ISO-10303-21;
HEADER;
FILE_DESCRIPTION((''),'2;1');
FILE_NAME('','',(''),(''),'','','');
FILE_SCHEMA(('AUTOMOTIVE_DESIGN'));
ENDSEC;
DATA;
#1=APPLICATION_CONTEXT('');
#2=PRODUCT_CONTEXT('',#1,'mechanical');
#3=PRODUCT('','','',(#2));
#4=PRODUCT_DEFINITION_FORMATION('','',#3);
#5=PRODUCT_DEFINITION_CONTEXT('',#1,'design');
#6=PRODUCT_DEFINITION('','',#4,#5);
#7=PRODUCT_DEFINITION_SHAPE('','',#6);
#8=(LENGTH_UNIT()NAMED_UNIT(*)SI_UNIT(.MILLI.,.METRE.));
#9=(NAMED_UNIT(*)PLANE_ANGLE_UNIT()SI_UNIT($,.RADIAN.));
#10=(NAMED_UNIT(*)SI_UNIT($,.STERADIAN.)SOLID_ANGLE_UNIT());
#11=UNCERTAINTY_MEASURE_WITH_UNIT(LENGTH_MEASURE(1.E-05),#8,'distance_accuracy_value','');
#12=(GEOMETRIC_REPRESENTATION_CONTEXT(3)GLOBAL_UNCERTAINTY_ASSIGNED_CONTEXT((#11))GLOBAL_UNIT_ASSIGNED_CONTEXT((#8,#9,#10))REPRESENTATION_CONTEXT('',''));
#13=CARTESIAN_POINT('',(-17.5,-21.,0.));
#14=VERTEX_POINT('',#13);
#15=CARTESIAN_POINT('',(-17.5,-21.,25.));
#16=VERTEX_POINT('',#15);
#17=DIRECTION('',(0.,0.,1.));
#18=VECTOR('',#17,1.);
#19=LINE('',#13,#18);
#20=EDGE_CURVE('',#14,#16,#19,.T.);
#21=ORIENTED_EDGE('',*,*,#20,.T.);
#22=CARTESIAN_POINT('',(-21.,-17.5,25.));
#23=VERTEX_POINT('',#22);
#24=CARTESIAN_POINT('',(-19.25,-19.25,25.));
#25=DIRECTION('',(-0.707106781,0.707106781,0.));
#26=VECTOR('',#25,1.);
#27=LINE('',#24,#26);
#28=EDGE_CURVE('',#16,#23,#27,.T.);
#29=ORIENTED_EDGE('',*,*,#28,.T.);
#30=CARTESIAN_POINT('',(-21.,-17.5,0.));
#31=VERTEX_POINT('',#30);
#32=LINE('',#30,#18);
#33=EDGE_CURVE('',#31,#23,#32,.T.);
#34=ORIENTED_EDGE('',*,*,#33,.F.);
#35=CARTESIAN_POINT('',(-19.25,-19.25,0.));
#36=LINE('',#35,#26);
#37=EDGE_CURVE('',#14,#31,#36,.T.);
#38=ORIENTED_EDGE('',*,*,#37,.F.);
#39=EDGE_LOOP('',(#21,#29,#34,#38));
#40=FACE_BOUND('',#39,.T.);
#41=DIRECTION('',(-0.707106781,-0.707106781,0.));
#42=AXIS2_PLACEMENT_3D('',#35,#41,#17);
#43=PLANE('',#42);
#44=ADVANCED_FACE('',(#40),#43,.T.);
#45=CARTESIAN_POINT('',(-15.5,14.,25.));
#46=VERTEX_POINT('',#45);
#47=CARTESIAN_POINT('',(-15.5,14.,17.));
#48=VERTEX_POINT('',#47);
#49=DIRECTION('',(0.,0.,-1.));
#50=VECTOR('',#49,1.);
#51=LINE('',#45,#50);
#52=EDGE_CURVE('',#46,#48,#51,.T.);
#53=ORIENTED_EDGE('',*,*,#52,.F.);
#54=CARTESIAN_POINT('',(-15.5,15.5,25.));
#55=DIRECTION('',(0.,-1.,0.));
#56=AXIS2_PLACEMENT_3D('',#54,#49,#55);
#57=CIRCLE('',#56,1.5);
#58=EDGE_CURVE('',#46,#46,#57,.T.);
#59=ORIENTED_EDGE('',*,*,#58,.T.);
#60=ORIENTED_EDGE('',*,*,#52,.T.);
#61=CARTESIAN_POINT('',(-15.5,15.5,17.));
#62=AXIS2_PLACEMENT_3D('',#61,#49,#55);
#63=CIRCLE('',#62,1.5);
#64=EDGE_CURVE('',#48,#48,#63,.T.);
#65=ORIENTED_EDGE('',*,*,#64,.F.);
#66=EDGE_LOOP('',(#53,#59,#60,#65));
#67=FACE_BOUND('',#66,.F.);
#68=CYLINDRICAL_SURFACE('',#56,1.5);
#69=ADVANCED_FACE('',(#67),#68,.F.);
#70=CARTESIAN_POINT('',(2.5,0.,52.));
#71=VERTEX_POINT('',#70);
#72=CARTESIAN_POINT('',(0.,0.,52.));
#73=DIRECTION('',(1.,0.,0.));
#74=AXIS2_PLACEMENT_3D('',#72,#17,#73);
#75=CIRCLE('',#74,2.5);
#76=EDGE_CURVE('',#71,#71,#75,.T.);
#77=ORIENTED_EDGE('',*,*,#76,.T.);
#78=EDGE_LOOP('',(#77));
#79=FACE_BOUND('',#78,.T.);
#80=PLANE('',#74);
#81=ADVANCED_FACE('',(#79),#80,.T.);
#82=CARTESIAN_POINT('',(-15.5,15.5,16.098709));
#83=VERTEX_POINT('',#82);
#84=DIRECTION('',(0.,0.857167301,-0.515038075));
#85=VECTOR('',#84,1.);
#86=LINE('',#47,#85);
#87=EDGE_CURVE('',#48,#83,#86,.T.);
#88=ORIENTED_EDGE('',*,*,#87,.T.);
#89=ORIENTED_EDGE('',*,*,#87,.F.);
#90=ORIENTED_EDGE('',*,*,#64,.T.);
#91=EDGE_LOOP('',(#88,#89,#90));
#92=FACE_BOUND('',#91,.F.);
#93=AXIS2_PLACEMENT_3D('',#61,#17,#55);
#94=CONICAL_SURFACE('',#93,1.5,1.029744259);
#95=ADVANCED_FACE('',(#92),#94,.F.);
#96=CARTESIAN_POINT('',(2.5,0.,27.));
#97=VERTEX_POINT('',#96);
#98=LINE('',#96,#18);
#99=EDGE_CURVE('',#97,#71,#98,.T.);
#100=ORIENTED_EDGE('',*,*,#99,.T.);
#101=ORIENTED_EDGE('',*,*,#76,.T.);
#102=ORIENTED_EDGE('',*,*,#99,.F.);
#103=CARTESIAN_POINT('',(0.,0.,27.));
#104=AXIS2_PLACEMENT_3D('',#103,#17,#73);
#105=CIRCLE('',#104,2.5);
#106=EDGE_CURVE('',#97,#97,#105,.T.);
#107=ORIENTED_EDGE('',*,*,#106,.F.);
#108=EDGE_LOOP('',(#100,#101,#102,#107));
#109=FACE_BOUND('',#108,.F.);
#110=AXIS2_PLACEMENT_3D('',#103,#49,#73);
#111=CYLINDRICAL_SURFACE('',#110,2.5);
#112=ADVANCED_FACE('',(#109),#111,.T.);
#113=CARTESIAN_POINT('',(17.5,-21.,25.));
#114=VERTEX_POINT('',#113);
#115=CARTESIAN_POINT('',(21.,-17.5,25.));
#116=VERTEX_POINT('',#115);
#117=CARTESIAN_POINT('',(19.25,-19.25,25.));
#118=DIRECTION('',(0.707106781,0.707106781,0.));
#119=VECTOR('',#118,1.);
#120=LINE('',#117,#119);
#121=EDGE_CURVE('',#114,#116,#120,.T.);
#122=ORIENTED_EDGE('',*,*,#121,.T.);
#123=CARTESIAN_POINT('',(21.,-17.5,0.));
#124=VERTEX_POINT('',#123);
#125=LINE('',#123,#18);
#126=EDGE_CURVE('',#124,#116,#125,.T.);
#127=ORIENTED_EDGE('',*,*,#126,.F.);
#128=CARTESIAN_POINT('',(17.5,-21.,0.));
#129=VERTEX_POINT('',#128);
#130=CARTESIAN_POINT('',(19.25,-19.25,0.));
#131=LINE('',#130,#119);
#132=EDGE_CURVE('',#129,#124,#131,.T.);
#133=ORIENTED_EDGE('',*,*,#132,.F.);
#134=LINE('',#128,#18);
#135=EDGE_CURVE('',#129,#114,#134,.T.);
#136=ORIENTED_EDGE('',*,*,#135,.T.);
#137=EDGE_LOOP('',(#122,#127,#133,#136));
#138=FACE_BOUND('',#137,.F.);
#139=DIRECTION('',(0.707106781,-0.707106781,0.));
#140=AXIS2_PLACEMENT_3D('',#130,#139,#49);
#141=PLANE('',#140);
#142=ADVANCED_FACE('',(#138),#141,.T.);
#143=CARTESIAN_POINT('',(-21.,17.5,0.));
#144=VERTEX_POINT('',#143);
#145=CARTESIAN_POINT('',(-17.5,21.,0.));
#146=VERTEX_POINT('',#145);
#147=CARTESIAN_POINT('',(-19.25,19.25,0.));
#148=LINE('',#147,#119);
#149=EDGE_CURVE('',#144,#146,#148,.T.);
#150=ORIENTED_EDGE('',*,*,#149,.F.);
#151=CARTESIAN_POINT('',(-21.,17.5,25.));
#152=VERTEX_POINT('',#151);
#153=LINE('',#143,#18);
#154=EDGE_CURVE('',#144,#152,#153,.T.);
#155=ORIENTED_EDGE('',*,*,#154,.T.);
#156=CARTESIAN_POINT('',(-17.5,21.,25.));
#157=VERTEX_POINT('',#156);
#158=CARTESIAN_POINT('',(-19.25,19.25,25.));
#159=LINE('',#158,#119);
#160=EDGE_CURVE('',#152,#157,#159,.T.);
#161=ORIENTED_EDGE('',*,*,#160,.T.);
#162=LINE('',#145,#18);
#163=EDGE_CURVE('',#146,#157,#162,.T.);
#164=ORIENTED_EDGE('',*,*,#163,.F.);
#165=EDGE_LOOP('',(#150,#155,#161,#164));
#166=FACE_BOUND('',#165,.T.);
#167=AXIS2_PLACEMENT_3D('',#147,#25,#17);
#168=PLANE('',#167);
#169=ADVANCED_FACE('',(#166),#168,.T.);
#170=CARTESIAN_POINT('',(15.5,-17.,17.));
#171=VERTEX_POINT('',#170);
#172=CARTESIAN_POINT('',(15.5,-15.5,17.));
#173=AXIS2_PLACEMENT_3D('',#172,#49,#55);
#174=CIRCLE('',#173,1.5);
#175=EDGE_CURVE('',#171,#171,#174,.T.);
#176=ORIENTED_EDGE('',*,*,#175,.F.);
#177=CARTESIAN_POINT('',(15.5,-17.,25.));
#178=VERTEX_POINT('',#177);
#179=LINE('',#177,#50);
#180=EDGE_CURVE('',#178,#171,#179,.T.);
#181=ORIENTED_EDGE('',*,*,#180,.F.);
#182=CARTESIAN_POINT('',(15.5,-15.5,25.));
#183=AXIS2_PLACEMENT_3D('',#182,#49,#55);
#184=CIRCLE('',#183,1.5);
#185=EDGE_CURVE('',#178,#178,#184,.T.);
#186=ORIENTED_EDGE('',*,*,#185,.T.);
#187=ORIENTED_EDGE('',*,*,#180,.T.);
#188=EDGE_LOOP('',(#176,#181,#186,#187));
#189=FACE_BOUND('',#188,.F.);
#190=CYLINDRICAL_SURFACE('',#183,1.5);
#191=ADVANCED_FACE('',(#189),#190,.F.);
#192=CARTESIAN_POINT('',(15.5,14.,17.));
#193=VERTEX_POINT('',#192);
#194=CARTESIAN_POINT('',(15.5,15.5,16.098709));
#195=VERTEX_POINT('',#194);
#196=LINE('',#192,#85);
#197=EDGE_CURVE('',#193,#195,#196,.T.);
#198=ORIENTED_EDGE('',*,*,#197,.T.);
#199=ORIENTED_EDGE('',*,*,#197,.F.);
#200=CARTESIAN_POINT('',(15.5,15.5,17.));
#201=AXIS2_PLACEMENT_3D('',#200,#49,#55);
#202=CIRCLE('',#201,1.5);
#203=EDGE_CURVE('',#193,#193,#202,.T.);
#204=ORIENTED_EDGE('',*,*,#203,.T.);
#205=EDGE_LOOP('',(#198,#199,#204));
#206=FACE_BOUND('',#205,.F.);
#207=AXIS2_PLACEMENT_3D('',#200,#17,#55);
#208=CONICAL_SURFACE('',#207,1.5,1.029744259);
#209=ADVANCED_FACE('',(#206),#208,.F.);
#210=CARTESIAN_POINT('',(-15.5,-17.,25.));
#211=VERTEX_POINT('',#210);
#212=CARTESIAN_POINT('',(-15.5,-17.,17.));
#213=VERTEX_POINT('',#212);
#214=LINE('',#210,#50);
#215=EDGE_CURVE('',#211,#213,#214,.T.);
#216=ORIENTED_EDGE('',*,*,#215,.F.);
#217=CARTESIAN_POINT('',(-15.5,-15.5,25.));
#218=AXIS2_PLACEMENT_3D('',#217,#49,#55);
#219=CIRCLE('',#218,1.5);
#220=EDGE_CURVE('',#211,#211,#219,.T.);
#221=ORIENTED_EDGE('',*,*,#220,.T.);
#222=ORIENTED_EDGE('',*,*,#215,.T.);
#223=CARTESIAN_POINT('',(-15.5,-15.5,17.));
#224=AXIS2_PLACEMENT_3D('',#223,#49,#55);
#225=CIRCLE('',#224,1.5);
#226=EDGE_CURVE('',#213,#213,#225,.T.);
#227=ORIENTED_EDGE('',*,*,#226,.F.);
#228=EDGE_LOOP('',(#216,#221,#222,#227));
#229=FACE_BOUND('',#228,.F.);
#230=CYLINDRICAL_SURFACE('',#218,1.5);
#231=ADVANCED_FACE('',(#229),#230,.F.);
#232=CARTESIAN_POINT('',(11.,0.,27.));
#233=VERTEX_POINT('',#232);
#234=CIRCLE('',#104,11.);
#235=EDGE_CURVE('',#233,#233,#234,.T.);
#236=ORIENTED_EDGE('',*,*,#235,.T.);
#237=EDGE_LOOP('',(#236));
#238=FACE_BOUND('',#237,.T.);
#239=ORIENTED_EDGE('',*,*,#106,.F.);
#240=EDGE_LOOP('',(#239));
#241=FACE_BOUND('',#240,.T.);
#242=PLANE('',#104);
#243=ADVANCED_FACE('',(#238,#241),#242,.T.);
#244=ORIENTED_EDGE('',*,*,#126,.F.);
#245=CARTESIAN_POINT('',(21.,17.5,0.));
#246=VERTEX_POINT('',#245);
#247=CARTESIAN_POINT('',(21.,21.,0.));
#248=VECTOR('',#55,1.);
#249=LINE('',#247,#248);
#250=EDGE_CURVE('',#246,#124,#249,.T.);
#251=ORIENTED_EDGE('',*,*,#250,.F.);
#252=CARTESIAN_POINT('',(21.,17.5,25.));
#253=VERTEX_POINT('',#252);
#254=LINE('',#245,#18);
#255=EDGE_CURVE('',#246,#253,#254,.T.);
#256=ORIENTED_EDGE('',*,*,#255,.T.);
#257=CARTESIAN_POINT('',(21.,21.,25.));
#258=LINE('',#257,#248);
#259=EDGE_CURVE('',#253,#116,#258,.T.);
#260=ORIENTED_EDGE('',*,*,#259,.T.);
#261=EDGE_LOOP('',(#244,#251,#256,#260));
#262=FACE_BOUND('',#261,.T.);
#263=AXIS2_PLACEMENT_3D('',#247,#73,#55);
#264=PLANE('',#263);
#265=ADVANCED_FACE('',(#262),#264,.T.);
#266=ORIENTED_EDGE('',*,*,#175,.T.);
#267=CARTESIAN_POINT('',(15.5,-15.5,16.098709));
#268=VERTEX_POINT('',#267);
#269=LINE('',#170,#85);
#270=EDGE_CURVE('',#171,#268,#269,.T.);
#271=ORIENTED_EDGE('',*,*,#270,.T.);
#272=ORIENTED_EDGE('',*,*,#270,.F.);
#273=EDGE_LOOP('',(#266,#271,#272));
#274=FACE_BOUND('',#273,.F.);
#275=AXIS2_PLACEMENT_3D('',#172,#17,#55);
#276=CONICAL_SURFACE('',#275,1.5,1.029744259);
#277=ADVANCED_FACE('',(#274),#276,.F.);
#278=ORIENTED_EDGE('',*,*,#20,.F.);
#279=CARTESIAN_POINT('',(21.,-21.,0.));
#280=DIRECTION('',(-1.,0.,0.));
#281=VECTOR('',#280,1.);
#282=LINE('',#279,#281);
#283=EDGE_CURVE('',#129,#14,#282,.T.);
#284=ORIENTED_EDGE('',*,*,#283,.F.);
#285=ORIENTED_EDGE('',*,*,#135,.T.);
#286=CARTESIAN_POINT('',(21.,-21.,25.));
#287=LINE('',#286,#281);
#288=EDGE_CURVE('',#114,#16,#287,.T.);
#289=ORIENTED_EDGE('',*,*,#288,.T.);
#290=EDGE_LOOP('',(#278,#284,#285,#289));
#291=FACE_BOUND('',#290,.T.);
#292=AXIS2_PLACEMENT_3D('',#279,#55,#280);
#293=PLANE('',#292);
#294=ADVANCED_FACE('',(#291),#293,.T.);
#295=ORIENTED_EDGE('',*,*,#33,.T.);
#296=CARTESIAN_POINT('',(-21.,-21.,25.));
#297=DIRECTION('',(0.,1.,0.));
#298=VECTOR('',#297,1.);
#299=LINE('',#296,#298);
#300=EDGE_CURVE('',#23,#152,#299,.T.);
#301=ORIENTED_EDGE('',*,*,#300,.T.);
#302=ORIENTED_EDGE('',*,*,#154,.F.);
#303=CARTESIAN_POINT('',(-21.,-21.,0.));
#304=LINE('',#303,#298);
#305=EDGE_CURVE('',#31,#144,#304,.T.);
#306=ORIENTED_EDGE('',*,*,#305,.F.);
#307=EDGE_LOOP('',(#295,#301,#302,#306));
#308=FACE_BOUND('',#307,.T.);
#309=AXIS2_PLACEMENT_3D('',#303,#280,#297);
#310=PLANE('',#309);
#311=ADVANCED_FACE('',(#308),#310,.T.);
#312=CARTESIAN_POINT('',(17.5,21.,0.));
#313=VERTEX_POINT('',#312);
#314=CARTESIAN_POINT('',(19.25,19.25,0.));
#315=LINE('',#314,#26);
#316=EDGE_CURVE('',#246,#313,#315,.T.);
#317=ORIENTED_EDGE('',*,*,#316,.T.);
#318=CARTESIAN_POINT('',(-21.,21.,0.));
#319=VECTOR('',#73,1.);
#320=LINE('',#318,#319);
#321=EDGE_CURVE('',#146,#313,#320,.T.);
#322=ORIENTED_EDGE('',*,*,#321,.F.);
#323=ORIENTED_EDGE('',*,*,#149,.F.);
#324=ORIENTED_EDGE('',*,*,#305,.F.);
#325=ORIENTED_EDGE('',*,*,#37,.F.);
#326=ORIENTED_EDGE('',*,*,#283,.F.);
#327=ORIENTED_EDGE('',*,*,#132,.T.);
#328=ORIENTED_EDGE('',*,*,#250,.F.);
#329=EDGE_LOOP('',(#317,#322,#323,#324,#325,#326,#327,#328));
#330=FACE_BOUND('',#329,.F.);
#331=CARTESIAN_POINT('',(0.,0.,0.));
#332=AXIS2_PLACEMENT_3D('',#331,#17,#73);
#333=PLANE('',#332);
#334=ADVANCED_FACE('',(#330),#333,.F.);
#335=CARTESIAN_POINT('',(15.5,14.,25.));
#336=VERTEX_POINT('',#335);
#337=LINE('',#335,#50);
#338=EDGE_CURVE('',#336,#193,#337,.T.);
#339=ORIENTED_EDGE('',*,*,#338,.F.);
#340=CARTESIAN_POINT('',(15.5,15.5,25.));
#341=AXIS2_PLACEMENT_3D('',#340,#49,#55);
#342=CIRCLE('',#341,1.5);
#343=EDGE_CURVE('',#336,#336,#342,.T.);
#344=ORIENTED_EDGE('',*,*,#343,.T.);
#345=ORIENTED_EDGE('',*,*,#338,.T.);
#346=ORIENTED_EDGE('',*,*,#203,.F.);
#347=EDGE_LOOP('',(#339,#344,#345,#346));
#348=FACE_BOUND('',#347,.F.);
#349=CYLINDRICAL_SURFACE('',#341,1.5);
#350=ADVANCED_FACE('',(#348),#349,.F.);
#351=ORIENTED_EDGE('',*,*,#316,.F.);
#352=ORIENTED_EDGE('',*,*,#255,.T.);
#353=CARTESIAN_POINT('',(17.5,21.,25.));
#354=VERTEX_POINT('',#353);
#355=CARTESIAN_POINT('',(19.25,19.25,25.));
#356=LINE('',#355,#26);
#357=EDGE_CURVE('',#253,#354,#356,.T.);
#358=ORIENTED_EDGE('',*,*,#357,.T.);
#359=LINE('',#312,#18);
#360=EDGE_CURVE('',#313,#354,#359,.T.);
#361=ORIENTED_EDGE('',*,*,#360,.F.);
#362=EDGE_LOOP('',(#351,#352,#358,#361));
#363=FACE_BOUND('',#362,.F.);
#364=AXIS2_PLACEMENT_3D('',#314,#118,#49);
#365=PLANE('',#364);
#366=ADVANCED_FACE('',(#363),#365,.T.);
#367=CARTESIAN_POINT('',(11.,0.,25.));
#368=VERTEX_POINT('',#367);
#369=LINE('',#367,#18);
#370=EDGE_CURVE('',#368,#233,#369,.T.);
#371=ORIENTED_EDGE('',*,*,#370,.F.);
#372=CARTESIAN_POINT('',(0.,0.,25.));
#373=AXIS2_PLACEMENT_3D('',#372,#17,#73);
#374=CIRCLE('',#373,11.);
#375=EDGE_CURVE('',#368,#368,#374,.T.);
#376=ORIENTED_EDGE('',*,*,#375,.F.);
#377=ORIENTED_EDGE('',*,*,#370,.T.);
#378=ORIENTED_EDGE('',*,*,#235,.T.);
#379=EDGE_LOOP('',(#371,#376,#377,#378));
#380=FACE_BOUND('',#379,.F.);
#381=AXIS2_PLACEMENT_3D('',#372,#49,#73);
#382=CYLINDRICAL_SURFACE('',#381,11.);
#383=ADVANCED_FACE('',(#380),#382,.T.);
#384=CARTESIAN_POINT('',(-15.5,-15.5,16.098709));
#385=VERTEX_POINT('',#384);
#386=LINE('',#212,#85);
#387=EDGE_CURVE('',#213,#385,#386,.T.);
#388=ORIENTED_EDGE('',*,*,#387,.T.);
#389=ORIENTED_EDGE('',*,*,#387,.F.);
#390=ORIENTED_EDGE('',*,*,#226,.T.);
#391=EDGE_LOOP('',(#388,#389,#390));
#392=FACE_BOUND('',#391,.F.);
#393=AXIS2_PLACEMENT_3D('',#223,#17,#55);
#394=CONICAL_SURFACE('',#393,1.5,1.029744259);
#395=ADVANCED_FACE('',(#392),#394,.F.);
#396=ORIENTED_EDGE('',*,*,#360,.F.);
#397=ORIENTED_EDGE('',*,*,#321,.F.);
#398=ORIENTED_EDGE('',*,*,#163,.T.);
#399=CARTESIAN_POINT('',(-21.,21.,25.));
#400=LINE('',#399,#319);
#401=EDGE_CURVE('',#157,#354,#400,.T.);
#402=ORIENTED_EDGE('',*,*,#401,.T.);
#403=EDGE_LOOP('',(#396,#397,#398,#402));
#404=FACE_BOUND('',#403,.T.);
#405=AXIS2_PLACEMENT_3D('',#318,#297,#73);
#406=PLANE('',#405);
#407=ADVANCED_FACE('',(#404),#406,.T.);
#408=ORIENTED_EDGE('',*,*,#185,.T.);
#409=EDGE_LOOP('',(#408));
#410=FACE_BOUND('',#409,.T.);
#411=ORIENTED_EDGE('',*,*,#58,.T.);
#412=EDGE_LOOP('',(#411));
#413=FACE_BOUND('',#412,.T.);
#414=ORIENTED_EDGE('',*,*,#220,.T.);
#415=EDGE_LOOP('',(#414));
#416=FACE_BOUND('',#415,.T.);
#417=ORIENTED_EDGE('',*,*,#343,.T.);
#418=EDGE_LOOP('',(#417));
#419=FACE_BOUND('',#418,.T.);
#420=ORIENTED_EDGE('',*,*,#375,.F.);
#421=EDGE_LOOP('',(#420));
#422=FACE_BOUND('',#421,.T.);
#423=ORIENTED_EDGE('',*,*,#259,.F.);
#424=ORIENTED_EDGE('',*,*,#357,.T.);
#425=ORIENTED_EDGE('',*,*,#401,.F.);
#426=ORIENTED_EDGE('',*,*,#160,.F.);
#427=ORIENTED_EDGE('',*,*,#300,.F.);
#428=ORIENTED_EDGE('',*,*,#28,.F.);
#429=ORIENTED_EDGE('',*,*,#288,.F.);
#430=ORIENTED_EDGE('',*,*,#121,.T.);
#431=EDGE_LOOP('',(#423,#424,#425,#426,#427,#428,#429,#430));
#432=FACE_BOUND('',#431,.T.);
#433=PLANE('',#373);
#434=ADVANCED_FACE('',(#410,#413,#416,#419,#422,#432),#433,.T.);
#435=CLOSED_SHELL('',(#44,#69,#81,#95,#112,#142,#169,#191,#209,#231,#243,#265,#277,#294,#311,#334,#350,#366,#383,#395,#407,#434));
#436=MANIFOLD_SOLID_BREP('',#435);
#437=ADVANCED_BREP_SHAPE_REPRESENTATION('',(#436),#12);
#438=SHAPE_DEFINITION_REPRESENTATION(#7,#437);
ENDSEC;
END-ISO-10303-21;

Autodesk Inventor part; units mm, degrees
ref_plane "YZ Plane" through (0, 0, 0) normal (1, 0, 0) x (0, 1, 0)
ref_plane "XZ Plane" through (0, 0, 0) normal (0, 1, 0) x (-1, 0, 0)
ref_plane "XY Plane" through (0, 0, 0) normal (0, 0, 1) x (1, 0, 0)
sketch "Sketch1" plane through (0, 0, 0) normal (0, 0, 1) x (1, 0, 0)
  line L0 (21, -21) -> (-21, -21)
  line L1 (-21, -21) -> (-21, 21)
  line L2 (-21, 21) -> (21, 21)
  line L3 (21, 21) -> (21, -21)
  line L4 (21, -21) -> (-21, 21) construction
  line L5 (-21, -21) -> (21, 21) construction
  point P0 (0, 0)
  dimension "d0" = 42
extrude "Extrusion1" add sketch "Sketch1" along normal blind 25
sketch "Sketch2" plane through (0, 0, 25) normal (0, 0, 1) x (1, 0, 0)
  point P0 (0, 0)
  point P1 (-15.5, 15.5)
  point P2 (-15.5, -15.5)
  point P3 (15.5, -15.5)
  point P4 (15.5, 15.5)
  dimension "d3" = 31
  dimension "d4" = 31
  dimension "d5" = 15.5
  dimension "d6" = 15.5
hole "Hole1" at (-15.5, 15.5, 25) at (-15.5, -15.5, 25) at (15.5, -15.5, 25) at (15.5, 15.5, 25) direction (0, 0, -1) diameter 3 depth 8 tip angle 118
chamfer "Chamfer1" distance 3.5 angle 45 4 edges at (21, 21, 12.5) (21, -21, 12.5) (-21, 21, 12.5) (-21, -21, 12.5)
sketch "Sketch3" plane through (0, 0, 25) normal (0, 0, 1) x (1, 0, 0)
  circle A0 centre (0, 0) radius 11
  dimension "d17" = 22
extrude "Extrusion2" add sketch "Sketch3" along normal blind 2
sketch "Sketch4" plane through (0, 0, 27) normal (0, 0, 1) x (1, 0, 0)
  circle A0 centre (0, 0) radius 11 projected
  circle A1 centre (0, 0) radius 2.5
  dimension "d20" = 5
extrude "Extrusion3" add sketch "Sketch4" along normal blind 25 contours A1
equation "\"d4\" = d3"
equation "\"d5\" = 0.5 * d3"
equation "\"d6\" = 0.5 * d3"
properties part number "Extruder Motor" material "Steel, Alloy"
